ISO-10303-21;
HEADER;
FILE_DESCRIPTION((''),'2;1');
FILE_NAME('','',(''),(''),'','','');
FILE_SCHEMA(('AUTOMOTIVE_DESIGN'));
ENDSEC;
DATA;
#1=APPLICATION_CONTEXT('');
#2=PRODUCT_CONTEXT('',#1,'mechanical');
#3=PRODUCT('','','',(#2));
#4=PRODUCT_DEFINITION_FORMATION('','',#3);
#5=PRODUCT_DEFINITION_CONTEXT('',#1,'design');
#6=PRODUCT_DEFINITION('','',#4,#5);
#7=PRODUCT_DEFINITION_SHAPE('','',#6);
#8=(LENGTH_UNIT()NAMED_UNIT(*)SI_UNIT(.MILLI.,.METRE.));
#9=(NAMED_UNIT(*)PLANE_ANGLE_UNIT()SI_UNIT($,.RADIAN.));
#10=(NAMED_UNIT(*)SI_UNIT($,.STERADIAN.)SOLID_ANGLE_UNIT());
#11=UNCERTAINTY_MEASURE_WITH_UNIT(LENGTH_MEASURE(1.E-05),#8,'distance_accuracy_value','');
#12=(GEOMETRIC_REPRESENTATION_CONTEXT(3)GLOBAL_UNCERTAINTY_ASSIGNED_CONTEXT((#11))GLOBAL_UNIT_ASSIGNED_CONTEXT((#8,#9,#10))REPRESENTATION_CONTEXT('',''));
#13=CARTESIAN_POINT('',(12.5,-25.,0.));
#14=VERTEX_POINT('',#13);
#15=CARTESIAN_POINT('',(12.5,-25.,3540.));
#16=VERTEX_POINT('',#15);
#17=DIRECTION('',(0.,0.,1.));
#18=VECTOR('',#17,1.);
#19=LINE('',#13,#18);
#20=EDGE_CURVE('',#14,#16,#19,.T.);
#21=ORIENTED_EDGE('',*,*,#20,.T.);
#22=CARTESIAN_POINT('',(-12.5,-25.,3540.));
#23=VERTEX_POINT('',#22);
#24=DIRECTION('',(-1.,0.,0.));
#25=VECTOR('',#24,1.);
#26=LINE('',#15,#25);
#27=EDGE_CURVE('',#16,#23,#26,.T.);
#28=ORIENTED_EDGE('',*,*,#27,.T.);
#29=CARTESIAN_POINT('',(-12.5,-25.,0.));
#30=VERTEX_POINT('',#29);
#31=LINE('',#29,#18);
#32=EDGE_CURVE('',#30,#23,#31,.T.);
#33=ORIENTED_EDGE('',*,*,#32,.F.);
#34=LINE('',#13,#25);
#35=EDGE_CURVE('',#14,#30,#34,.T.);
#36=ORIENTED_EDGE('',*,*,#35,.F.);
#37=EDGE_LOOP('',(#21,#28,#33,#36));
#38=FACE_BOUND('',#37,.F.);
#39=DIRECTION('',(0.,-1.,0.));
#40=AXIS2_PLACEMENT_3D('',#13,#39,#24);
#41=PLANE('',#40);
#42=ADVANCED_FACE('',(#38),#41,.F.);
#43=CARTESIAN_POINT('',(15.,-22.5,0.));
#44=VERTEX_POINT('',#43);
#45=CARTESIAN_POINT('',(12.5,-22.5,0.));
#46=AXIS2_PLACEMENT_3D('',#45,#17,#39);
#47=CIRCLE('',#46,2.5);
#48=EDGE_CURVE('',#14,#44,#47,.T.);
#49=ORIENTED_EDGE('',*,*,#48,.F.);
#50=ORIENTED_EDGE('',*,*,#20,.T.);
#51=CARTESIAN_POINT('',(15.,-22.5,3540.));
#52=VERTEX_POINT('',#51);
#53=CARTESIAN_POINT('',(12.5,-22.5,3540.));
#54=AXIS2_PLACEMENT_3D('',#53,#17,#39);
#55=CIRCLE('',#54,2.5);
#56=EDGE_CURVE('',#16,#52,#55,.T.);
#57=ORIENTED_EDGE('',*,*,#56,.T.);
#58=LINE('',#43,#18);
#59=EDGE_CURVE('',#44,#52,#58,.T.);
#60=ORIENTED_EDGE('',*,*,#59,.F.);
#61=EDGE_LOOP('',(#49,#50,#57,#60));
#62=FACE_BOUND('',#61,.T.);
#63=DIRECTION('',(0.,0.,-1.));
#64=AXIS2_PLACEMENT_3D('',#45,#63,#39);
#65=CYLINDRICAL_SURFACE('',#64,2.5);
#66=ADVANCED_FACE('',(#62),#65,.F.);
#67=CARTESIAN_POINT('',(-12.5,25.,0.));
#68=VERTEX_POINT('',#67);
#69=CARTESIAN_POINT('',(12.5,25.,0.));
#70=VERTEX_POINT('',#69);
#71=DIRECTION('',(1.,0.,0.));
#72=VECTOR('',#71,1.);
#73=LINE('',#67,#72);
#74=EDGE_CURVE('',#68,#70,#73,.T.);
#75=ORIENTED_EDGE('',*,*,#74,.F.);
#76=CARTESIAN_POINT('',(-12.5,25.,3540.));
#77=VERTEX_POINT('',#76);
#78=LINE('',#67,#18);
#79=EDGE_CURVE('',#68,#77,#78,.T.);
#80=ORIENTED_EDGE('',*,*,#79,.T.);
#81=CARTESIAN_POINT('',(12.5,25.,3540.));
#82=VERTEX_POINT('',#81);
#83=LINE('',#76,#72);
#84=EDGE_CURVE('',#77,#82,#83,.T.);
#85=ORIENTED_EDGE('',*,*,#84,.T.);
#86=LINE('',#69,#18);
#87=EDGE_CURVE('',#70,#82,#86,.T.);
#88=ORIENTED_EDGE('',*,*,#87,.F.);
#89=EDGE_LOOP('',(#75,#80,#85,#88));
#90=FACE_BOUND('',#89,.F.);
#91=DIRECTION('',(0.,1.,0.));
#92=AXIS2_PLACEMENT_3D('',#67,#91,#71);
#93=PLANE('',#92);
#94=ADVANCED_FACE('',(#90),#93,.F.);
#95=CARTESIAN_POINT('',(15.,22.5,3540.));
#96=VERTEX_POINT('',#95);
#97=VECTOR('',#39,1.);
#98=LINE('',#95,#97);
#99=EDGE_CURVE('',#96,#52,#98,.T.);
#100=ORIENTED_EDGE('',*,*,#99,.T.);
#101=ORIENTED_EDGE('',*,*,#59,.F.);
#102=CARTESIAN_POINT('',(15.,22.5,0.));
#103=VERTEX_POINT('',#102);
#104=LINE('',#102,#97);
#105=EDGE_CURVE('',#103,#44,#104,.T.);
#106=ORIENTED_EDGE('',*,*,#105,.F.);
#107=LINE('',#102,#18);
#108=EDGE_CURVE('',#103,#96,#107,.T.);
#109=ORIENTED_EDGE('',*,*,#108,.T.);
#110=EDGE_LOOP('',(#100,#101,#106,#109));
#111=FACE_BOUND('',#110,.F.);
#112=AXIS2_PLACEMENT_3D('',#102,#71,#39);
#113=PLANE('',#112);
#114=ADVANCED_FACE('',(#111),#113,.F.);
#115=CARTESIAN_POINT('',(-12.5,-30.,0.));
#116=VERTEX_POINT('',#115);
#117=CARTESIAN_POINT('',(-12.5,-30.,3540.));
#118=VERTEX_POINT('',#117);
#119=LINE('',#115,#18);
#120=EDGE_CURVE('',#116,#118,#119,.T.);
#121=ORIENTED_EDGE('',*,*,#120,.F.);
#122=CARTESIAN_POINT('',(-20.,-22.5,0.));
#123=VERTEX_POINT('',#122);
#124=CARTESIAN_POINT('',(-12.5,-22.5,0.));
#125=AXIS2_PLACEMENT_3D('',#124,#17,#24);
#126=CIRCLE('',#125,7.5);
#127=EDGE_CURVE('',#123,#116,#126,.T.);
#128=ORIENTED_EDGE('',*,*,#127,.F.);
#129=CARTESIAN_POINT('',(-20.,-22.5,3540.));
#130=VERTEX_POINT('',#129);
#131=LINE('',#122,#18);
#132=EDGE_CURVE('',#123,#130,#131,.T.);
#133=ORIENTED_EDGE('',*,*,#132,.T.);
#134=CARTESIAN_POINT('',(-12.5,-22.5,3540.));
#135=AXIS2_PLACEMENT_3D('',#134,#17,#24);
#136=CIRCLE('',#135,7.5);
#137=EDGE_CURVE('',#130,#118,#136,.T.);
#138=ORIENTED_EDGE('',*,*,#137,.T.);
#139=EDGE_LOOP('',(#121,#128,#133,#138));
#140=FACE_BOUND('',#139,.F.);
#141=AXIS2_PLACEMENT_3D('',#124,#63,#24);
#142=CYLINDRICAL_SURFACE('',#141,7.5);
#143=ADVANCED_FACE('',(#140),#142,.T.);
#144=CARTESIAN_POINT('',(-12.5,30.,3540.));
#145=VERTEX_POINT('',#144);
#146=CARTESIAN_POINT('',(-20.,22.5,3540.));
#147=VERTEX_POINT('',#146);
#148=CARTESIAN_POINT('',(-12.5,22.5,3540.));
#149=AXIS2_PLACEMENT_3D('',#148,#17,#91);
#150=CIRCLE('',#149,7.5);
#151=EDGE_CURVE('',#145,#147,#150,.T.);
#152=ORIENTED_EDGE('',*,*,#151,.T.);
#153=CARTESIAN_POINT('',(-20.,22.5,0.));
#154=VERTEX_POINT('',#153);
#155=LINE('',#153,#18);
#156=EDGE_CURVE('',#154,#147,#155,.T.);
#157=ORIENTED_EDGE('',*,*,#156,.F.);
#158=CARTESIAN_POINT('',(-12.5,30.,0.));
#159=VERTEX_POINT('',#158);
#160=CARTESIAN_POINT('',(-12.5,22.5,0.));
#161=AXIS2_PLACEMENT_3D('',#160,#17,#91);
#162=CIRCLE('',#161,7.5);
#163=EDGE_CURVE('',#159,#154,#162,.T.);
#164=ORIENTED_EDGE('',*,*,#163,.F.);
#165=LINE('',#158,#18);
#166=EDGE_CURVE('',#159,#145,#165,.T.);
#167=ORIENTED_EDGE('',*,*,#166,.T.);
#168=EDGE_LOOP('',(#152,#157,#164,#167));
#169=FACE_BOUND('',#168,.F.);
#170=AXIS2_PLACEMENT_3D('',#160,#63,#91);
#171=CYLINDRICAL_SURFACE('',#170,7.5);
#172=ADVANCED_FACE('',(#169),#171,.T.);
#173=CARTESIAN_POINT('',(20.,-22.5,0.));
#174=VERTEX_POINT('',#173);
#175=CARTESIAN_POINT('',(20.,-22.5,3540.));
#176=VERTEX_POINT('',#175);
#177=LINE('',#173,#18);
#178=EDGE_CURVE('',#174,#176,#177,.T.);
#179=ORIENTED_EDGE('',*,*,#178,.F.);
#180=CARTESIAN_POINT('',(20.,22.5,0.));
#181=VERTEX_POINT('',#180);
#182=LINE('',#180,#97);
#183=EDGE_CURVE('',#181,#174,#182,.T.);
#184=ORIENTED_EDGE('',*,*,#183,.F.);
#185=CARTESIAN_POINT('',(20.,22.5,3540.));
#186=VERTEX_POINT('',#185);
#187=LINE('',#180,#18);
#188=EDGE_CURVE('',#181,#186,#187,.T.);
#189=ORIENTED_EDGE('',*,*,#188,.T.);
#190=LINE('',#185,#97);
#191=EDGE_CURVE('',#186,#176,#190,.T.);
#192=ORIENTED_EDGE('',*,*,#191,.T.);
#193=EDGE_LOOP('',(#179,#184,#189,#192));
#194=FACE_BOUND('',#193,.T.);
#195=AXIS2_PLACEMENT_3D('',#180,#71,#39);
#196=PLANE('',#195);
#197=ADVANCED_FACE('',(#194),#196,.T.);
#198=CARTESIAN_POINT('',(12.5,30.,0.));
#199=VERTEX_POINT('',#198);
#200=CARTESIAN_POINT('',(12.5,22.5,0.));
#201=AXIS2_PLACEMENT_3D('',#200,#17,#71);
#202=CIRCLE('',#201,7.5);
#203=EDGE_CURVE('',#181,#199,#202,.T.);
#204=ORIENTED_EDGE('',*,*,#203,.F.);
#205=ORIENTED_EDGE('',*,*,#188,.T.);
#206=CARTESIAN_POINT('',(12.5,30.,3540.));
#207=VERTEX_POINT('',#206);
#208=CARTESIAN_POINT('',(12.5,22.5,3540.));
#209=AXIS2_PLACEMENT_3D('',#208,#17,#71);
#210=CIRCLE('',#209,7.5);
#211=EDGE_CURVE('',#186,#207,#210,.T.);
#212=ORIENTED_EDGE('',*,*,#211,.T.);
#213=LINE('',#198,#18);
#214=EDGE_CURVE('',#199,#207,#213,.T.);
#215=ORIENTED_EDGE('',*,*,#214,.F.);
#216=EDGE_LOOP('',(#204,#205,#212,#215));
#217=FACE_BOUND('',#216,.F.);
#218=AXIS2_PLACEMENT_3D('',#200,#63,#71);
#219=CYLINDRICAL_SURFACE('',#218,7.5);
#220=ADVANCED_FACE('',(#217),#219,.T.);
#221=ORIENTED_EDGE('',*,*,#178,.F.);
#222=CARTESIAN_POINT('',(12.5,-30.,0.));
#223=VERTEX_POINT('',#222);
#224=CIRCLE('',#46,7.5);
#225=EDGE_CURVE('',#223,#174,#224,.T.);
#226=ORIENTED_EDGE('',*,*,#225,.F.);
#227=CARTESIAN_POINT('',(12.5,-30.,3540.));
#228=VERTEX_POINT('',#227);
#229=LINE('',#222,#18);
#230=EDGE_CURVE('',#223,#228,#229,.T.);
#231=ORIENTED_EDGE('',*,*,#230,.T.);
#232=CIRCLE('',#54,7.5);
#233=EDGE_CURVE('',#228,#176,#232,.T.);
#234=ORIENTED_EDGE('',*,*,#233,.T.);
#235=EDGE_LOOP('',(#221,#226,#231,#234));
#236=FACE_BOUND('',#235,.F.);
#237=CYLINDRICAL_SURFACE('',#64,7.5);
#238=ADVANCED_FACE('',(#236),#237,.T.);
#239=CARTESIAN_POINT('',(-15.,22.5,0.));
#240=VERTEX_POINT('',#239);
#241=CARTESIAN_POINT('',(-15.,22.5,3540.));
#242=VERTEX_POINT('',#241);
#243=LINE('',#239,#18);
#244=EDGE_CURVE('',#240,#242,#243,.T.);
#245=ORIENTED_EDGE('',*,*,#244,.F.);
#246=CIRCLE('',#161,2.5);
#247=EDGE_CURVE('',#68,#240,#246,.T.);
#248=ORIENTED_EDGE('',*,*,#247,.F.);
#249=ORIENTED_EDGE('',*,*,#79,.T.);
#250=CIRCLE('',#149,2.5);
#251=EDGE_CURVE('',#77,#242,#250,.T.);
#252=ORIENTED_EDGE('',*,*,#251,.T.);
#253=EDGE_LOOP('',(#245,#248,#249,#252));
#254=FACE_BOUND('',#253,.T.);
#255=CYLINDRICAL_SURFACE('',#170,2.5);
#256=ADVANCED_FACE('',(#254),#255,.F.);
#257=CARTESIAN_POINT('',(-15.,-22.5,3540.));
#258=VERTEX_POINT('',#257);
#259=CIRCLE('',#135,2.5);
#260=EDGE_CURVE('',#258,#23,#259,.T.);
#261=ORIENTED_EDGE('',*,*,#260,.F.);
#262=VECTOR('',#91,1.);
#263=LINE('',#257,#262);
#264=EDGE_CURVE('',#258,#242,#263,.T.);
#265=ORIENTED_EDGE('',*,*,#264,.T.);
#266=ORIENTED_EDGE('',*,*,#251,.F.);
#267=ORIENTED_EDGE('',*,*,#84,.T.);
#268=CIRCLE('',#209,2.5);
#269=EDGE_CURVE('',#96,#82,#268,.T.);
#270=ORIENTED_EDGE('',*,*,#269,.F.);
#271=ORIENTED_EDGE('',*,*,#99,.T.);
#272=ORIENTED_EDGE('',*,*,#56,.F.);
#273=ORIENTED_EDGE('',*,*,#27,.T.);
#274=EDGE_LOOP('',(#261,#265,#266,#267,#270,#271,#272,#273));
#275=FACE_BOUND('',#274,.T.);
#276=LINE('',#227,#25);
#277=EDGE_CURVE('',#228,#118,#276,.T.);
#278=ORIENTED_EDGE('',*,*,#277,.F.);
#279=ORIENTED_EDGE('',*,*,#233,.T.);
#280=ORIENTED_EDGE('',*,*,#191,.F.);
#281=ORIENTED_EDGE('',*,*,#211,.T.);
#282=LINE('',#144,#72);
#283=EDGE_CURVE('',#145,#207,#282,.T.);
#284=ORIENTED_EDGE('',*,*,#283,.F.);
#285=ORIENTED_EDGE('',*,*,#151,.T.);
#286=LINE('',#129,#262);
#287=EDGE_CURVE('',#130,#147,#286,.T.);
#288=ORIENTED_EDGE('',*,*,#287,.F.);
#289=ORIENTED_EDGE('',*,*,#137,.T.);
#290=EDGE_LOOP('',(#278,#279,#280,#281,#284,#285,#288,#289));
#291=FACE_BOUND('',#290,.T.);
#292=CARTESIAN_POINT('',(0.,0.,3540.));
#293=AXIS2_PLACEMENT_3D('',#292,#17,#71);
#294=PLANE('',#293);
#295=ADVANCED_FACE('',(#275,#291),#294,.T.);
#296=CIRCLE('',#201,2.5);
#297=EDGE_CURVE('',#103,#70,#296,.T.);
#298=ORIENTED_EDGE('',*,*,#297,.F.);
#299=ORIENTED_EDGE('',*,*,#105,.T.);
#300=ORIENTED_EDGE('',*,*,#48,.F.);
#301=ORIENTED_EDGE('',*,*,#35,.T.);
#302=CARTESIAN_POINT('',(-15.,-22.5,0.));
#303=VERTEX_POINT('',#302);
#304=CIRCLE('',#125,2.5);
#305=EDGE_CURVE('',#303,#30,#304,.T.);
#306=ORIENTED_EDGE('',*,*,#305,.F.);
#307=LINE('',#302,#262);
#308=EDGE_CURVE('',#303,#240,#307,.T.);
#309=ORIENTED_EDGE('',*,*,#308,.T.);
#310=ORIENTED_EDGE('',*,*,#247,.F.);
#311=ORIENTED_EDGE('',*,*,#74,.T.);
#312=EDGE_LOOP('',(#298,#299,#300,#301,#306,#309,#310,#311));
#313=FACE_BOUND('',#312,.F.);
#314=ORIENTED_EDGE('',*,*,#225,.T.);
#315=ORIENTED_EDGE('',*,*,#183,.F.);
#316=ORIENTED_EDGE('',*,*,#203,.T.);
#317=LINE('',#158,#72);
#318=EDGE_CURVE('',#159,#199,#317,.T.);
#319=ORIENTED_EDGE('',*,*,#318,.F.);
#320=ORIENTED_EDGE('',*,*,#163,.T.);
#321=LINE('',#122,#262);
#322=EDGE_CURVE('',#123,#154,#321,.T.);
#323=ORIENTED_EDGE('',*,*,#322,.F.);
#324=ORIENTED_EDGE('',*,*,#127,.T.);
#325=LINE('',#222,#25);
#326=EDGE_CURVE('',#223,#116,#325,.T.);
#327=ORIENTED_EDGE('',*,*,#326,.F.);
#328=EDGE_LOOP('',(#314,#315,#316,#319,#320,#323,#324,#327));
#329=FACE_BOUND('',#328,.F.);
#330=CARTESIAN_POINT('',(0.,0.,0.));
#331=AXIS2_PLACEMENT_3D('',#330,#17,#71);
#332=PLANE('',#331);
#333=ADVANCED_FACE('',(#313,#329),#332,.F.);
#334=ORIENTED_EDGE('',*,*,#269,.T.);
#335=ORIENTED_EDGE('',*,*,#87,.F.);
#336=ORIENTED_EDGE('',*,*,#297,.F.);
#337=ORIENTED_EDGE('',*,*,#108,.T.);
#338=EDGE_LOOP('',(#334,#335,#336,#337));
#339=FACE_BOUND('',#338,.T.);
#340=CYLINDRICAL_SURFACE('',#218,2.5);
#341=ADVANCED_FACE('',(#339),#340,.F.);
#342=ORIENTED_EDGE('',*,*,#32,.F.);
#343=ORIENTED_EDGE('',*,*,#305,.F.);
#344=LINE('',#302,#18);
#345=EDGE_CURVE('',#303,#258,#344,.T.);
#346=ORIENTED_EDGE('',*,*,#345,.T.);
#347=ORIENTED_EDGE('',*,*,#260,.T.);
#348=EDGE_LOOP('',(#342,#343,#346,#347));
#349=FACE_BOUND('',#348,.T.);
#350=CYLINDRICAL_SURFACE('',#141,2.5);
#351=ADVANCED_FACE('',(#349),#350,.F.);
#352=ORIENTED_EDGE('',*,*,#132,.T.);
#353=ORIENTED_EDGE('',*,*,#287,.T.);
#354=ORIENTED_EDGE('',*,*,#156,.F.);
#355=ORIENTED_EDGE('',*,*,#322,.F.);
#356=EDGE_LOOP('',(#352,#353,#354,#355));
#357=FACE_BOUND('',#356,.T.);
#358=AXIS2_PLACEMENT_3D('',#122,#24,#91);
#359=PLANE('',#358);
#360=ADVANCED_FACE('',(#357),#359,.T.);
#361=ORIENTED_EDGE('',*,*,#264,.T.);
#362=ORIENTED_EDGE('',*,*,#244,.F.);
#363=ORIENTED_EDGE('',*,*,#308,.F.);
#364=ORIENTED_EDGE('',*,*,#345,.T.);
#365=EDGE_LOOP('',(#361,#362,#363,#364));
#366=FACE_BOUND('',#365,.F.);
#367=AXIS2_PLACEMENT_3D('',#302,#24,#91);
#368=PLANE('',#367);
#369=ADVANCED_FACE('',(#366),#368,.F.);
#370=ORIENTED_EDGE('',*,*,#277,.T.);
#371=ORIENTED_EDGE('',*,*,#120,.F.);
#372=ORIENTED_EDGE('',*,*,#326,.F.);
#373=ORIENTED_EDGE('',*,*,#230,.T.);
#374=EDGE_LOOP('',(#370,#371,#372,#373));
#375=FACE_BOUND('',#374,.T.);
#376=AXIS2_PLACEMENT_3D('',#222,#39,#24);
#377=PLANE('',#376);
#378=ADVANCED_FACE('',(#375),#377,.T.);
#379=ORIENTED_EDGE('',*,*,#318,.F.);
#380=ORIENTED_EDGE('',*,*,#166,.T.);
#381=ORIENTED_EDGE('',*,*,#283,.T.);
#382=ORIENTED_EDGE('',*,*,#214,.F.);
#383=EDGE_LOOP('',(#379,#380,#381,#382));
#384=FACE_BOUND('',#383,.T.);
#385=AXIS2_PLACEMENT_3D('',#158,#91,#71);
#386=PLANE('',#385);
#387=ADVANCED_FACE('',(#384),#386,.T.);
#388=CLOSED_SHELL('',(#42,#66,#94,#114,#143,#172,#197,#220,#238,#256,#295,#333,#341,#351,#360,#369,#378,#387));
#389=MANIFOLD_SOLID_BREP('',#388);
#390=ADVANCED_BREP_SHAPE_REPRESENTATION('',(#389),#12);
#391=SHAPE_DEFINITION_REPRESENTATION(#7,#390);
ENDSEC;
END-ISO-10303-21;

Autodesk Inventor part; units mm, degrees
ref_plane "YZ Plane" through (0, 0, 0) normal (1, 0, 0) x (0, 1, 0)
ref_plane "Start Plane" through (0, 0, 0) normal (0, 0, 1) x (1, 0, 0)
ref_plane "End Plane" through (0, 0, 3540) normal (0, 0, 1) x (1, 0, 0)
sketch "Sketch" plane through (0, 0, 0) normal (0, 0, 1) x (1, 0, 0)
  line L0 (-20, -22.5) -> (-20, 22.5)
  line L1 (-12.5, 30) -> (12.5, 30)
  line L2 (20, 22.5) -> (20, -22.5)
  line L3 (12.5, -30) -> (-12.5, -30)
  arc A0 (-20, -22.5) -> (-12.5, -30) centre (-12.5, -22.5) ccw
  arc A1 (-12.5, 30) -> (-20, 22.5) centre (-12.5, 22.5) ccw
  arc A2 (20, 22.5) -> (12.5, 30) centre (12.5, 22.5) ccw
  arc A3 (12.5, -30) -> (20, -22.5) centre (12.5, -22.5) ccw
  arc A4 (-12.5, 25) -> (-15, 22.5) centre (-12.5, 22.5) ccw
  line L4 (-12.5, 25) -> (12.5, 25)
  arc A5 (15, 22.5) -> (12.5, 25) centre (12.5, 22.5) ccw
  line L5 (15, 22.5) -> (15, -22.5)
  arc A6 (12.5, -25) -> (15, -22.5) centre (12.5, -22.5) ccw
  line L6 (12.5, -25) -> (-12.5, -25)
  arc A7 (-15, -22.5) -> (-12.5, -25) centre (-12.5, -22.5) ccw
  line L7 (-15, -22.5) -> (-15, 22.5)
  line L8 (0, 44.1746) -> (0, -44.1746) construction
  line L9 (-30.1746, 0) -> (30.1746, 0) construction
  dimension "d7" = 7.5
  dimension "d10" = 60
  dimension "d11" = 40
  dimension "d12" = 5
  dimension "d15" = 30
  dimension "d16" = 20
extrude "Body" add sketch "Sketch" along normal up to surface (3540 mm away) from surface at 0
sketch "Sketch3" plane through (0, 0, 0) normal (0, 0, 1) x (1, 0, 0)
  line L0 (0, 0) -> (10, 0)
ref_plane "Work Plane3" through (0, 0, 0) normal (0, -1, 0) x (1, 0, 0)
sketch "Sketch4" plane through (0, 0, 0) normal (0, -1, 0) x (1, 0, 0)
  line L0 (-2, 0) -> (12, 0) projected
  line L1 (-2, 3540) -> (12, 3540) projected
  dimension "d18" = 3540
equation "\"d7\" = G_IR"
equation "\"d10\" = G_H"
equation "\"d11\" = G_W"
equation "\"d12\" = G_T"
equation "\"d15\" = 0.5 * d10"
equation "\"d16\" = 0.5 * d11"
equation "\"d3\" = G_L"
equation "\"G_W\" = 40"
equation "\"G_H\" = 60"
equation "\"G_T\" = 5"
equation "\"G_IR\" = 7.5"
equation "\"G_L\" = d18"
equation "\"G_OFFSET_START\" = 0"
equation "\"G_OFFSET_END\" = 0"
properties part number "ISO 12633-2 - 60x40x5 - 3540" material "Steel, Mild"
